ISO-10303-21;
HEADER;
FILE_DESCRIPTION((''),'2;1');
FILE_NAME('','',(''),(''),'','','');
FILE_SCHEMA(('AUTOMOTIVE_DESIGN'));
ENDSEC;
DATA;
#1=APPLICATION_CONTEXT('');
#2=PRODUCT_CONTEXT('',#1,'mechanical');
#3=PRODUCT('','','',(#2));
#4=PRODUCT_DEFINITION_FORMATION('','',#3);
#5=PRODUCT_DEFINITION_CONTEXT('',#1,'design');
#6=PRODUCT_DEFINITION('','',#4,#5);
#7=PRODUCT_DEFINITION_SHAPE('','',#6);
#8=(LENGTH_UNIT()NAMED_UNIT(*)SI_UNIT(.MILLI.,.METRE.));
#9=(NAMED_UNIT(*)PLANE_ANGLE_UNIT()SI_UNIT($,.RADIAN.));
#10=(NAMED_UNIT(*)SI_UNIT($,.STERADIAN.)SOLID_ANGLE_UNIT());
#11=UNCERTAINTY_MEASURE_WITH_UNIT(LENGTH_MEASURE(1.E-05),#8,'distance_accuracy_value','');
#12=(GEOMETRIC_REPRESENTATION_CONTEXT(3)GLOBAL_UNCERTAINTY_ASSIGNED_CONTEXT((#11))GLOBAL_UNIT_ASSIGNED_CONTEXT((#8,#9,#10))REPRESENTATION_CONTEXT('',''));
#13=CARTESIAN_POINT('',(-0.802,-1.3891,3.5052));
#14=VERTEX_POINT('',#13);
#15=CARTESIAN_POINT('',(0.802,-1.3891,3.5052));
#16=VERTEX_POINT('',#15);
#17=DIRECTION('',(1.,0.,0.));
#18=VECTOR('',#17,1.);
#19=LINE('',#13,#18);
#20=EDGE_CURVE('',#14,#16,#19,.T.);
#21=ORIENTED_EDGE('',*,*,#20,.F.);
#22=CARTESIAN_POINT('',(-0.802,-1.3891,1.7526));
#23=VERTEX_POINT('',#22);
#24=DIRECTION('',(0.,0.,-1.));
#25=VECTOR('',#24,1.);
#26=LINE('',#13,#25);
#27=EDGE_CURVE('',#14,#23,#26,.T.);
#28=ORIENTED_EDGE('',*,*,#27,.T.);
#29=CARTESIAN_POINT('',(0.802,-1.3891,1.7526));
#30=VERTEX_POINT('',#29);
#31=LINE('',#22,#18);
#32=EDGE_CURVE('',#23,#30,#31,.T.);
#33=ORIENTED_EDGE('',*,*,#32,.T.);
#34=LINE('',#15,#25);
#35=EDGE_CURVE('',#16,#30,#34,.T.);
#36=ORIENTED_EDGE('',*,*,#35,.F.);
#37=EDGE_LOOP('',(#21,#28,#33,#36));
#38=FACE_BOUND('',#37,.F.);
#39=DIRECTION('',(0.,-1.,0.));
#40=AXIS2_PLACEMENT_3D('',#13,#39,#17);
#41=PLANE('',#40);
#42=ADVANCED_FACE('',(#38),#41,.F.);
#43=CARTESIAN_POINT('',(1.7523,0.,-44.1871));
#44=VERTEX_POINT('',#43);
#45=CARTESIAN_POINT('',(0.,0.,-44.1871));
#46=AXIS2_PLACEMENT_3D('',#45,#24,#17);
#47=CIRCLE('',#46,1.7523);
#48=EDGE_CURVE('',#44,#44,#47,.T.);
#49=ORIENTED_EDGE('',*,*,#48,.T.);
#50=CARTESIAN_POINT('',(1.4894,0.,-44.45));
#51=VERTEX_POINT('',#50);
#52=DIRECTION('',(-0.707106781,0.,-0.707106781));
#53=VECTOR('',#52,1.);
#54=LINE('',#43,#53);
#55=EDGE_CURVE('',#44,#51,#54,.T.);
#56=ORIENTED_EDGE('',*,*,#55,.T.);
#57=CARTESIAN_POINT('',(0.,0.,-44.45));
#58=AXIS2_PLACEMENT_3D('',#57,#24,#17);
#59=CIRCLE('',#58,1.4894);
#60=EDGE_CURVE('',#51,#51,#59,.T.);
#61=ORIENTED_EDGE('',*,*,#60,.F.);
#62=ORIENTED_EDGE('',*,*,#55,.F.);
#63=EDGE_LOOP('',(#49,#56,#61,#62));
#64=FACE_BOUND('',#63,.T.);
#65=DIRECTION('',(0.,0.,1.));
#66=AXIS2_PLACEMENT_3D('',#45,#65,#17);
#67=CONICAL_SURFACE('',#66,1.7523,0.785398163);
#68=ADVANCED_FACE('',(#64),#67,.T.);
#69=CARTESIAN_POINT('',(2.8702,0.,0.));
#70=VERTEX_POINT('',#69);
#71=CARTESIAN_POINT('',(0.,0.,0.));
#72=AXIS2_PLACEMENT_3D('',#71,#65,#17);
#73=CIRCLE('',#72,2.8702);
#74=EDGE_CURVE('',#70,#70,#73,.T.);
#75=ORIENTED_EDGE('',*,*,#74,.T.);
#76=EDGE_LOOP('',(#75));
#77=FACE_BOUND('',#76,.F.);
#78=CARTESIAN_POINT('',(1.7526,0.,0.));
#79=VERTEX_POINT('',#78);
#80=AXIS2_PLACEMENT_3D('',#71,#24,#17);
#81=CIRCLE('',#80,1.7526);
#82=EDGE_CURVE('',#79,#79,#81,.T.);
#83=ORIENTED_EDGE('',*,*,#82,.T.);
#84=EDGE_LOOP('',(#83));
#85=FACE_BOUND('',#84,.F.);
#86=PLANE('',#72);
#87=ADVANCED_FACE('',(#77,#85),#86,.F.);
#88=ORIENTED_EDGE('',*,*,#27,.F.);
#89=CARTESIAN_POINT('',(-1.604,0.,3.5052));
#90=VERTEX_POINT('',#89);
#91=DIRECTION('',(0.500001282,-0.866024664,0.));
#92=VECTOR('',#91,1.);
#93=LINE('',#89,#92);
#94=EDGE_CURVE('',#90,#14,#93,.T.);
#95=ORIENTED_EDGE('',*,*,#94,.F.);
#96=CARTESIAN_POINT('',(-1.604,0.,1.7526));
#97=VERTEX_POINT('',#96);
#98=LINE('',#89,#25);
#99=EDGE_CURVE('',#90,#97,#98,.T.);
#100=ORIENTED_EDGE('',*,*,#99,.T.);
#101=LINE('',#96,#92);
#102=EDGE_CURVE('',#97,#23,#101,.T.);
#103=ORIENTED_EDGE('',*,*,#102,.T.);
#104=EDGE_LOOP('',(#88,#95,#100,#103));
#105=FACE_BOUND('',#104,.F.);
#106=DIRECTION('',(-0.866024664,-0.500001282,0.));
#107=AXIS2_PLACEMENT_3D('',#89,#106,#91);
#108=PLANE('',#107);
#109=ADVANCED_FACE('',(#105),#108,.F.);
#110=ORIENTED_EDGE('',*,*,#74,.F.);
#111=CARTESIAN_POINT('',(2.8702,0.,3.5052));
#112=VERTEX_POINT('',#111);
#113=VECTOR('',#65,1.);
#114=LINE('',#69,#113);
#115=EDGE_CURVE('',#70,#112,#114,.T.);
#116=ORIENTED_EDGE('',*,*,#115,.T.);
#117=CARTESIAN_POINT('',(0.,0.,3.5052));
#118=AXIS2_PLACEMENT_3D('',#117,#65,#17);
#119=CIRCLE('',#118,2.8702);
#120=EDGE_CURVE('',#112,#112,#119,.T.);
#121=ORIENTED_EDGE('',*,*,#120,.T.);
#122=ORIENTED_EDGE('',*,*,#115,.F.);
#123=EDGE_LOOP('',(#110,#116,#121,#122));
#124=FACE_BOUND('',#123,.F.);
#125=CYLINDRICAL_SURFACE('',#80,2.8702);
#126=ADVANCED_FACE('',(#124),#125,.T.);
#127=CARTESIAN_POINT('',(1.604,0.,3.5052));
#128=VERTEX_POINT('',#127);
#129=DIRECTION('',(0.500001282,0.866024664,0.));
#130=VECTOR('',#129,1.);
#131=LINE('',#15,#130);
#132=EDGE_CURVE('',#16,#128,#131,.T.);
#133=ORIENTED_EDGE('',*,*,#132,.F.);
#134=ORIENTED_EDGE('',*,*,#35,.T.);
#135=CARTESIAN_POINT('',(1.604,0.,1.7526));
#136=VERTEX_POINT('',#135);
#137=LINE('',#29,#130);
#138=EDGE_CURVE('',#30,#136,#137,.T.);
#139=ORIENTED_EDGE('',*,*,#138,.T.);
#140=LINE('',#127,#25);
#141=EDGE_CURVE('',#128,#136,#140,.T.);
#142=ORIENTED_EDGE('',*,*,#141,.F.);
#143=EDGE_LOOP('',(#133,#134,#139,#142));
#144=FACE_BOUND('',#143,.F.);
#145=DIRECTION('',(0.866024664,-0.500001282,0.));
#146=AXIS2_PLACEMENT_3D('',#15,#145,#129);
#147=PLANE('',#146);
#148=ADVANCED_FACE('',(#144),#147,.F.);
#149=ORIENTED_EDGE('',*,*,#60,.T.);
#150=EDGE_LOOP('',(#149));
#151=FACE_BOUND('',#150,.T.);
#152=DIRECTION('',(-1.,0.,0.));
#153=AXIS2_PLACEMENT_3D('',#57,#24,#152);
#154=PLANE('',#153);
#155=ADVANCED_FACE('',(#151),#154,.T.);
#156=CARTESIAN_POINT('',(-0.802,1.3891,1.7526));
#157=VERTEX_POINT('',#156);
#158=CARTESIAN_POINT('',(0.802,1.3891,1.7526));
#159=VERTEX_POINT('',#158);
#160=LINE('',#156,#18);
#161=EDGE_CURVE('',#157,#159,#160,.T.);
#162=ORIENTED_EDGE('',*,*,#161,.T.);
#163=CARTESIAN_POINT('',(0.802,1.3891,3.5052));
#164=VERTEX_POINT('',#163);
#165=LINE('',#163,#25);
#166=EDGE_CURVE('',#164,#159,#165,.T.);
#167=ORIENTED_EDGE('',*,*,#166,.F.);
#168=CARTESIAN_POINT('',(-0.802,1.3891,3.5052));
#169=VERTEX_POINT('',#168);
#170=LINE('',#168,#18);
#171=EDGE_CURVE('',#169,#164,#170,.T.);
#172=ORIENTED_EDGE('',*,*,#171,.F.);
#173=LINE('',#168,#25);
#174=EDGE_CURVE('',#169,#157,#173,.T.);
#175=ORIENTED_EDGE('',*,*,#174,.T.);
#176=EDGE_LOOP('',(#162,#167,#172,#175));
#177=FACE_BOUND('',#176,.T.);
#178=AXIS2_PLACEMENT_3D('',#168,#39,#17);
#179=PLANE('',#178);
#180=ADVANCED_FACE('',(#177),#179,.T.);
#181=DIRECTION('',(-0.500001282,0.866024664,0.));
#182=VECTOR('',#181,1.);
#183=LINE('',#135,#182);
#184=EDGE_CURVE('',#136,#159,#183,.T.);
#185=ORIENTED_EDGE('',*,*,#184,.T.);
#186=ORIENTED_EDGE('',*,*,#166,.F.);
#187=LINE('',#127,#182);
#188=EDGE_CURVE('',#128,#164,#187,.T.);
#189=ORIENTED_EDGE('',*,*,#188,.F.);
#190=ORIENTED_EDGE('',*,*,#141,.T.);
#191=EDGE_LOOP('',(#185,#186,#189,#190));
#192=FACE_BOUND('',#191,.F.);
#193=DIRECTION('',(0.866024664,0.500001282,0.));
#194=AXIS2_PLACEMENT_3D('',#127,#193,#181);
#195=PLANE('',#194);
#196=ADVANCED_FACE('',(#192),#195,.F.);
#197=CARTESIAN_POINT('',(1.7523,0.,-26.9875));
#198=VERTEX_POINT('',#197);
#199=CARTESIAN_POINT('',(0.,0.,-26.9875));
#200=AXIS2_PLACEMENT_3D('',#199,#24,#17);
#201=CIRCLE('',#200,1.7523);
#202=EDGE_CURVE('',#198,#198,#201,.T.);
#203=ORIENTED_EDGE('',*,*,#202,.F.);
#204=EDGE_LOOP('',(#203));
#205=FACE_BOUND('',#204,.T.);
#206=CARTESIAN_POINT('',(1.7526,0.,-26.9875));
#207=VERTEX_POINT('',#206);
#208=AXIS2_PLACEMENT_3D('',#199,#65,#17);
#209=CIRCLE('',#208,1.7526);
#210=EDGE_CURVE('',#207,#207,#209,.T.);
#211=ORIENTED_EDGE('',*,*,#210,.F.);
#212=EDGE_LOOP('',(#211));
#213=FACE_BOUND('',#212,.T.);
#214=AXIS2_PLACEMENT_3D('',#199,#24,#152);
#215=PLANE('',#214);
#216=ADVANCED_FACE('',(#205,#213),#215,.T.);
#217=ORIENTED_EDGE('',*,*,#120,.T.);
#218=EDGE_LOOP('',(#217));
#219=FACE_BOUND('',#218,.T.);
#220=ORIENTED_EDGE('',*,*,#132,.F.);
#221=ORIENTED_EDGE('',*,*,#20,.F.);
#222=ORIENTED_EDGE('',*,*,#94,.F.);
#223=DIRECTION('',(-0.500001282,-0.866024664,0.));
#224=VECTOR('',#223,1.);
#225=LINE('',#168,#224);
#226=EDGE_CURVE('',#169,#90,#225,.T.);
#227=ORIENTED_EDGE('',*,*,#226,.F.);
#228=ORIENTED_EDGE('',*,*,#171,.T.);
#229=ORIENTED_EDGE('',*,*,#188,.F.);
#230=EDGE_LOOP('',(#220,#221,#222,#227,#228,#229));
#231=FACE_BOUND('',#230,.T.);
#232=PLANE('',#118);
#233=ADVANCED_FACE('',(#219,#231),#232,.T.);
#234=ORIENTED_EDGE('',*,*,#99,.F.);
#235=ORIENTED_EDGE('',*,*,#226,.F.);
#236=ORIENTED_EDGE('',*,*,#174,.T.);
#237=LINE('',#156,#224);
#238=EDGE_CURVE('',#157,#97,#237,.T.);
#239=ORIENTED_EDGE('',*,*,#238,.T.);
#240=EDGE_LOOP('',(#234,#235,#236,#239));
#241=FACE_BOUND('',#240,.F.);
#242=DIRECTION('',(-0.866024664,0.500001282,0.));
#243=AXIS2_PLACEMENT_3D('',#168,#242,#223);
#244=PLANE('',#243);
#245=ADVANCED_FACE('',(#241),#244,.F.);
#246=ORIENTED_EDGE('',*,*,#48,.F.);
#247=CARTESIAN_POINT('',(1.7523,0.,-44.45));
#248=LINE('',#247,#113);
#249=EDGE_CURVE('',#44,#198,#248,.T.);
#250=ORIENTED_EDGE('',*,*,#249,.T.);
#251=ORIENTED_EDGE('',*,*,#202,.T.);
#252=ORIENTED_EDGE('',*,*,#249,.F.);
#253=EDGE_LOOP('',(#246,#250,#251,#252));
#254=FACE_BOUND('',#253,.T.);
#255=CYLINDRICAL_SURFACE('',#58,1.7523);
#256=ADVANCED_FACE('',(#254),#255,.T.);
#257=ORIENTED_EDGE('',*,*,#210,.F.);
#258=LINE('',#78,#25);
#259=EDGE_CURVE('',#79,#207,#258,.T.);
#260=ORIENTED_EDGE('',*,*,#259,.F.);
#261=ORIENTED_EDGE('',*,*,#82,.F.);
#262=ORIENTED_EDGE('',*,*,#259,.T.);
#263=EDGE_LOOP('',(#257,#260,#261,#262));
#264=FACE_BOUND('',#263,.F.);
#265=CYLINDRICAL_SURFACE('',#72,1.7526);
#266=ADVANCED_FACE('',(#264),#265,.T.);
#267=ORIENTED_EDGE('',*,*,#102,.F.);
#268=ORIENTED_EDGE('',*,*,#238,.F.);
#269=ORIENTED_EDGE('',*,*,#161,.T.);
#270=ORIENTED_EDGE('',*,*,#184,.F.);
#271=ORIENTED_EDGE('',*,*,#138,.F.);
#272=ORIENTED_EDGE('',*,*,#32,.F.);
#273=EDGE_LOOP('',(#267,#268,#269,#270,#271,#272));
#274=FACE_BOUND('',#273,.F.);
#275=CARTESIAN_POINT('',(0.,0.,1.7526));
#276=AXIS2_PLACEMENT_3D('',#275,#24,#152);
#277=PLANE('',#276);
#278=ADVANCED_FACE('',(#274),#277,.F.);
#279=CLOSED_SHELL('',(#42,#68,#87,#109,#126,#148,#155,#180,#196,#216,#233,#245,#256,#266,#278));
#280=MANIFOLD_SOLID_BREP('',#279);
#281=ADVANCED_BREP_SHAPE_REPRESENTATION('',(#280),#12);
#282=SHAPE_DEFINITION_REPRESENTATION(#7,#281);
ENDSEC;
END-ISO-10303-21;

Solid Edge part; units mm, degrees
sketch "Sketch1" plane through (0, 0, 0) normal (0, 0, 1) x (1, 0, 0)
  circle A0 centre (0, 0) radius 2.8702
  dimension "D1" = 5.7404
extrude "Protrusion1" add sketch "Sketch1" along normal blind 3.5052
sketch "Sketch2" plane through (0, 0, 0) normal (0, 0, -1) x (1, 0, 0)
  circle A0 centre (0, 0) radius 1.7526
extrude "Protrusion2" add sketch "Sketch2" along normal blind 44.45
sketch "Sketch3" plane through (0, 0, -44.45) normal (0, 0, -1) x (1, 0, 0)
  circle A0 centre (0, 0) radius 1.7523
extrude "Cutout1" cut sketch "Sketch3" against normal blind 17.4625 flip side to cut
chamfer "Chamfer_1" distance 0.2629 angle 45 1 edges at (-1.7523, 0, -44.45)
sketch "Sketch4" plane through (0, 0, 3.5052) normal (0, 0, 1) x (1, 0, 0)
  line L0 (-0.802, 1.3891) -> (0.802, 1.3891)
  line L1 (1.604, 0) -> (0.802, 1.3891)
  line L2 (0.802, -1.3891) -> (1.604, 0)
  line L3 (-0.802, -1.3891) -> (0.802, -1.3891)
  line L4 (-1.604, 0) -> (-0.802, -1.3891)
  line L5 (-0.802, 1.3891) -> (-1.604, 0)
  dimension "D1" = 2.7781
extrude "Cutout2" cut sketch "Sketch4" against normal blind 1.7526
properties part number "147419"
